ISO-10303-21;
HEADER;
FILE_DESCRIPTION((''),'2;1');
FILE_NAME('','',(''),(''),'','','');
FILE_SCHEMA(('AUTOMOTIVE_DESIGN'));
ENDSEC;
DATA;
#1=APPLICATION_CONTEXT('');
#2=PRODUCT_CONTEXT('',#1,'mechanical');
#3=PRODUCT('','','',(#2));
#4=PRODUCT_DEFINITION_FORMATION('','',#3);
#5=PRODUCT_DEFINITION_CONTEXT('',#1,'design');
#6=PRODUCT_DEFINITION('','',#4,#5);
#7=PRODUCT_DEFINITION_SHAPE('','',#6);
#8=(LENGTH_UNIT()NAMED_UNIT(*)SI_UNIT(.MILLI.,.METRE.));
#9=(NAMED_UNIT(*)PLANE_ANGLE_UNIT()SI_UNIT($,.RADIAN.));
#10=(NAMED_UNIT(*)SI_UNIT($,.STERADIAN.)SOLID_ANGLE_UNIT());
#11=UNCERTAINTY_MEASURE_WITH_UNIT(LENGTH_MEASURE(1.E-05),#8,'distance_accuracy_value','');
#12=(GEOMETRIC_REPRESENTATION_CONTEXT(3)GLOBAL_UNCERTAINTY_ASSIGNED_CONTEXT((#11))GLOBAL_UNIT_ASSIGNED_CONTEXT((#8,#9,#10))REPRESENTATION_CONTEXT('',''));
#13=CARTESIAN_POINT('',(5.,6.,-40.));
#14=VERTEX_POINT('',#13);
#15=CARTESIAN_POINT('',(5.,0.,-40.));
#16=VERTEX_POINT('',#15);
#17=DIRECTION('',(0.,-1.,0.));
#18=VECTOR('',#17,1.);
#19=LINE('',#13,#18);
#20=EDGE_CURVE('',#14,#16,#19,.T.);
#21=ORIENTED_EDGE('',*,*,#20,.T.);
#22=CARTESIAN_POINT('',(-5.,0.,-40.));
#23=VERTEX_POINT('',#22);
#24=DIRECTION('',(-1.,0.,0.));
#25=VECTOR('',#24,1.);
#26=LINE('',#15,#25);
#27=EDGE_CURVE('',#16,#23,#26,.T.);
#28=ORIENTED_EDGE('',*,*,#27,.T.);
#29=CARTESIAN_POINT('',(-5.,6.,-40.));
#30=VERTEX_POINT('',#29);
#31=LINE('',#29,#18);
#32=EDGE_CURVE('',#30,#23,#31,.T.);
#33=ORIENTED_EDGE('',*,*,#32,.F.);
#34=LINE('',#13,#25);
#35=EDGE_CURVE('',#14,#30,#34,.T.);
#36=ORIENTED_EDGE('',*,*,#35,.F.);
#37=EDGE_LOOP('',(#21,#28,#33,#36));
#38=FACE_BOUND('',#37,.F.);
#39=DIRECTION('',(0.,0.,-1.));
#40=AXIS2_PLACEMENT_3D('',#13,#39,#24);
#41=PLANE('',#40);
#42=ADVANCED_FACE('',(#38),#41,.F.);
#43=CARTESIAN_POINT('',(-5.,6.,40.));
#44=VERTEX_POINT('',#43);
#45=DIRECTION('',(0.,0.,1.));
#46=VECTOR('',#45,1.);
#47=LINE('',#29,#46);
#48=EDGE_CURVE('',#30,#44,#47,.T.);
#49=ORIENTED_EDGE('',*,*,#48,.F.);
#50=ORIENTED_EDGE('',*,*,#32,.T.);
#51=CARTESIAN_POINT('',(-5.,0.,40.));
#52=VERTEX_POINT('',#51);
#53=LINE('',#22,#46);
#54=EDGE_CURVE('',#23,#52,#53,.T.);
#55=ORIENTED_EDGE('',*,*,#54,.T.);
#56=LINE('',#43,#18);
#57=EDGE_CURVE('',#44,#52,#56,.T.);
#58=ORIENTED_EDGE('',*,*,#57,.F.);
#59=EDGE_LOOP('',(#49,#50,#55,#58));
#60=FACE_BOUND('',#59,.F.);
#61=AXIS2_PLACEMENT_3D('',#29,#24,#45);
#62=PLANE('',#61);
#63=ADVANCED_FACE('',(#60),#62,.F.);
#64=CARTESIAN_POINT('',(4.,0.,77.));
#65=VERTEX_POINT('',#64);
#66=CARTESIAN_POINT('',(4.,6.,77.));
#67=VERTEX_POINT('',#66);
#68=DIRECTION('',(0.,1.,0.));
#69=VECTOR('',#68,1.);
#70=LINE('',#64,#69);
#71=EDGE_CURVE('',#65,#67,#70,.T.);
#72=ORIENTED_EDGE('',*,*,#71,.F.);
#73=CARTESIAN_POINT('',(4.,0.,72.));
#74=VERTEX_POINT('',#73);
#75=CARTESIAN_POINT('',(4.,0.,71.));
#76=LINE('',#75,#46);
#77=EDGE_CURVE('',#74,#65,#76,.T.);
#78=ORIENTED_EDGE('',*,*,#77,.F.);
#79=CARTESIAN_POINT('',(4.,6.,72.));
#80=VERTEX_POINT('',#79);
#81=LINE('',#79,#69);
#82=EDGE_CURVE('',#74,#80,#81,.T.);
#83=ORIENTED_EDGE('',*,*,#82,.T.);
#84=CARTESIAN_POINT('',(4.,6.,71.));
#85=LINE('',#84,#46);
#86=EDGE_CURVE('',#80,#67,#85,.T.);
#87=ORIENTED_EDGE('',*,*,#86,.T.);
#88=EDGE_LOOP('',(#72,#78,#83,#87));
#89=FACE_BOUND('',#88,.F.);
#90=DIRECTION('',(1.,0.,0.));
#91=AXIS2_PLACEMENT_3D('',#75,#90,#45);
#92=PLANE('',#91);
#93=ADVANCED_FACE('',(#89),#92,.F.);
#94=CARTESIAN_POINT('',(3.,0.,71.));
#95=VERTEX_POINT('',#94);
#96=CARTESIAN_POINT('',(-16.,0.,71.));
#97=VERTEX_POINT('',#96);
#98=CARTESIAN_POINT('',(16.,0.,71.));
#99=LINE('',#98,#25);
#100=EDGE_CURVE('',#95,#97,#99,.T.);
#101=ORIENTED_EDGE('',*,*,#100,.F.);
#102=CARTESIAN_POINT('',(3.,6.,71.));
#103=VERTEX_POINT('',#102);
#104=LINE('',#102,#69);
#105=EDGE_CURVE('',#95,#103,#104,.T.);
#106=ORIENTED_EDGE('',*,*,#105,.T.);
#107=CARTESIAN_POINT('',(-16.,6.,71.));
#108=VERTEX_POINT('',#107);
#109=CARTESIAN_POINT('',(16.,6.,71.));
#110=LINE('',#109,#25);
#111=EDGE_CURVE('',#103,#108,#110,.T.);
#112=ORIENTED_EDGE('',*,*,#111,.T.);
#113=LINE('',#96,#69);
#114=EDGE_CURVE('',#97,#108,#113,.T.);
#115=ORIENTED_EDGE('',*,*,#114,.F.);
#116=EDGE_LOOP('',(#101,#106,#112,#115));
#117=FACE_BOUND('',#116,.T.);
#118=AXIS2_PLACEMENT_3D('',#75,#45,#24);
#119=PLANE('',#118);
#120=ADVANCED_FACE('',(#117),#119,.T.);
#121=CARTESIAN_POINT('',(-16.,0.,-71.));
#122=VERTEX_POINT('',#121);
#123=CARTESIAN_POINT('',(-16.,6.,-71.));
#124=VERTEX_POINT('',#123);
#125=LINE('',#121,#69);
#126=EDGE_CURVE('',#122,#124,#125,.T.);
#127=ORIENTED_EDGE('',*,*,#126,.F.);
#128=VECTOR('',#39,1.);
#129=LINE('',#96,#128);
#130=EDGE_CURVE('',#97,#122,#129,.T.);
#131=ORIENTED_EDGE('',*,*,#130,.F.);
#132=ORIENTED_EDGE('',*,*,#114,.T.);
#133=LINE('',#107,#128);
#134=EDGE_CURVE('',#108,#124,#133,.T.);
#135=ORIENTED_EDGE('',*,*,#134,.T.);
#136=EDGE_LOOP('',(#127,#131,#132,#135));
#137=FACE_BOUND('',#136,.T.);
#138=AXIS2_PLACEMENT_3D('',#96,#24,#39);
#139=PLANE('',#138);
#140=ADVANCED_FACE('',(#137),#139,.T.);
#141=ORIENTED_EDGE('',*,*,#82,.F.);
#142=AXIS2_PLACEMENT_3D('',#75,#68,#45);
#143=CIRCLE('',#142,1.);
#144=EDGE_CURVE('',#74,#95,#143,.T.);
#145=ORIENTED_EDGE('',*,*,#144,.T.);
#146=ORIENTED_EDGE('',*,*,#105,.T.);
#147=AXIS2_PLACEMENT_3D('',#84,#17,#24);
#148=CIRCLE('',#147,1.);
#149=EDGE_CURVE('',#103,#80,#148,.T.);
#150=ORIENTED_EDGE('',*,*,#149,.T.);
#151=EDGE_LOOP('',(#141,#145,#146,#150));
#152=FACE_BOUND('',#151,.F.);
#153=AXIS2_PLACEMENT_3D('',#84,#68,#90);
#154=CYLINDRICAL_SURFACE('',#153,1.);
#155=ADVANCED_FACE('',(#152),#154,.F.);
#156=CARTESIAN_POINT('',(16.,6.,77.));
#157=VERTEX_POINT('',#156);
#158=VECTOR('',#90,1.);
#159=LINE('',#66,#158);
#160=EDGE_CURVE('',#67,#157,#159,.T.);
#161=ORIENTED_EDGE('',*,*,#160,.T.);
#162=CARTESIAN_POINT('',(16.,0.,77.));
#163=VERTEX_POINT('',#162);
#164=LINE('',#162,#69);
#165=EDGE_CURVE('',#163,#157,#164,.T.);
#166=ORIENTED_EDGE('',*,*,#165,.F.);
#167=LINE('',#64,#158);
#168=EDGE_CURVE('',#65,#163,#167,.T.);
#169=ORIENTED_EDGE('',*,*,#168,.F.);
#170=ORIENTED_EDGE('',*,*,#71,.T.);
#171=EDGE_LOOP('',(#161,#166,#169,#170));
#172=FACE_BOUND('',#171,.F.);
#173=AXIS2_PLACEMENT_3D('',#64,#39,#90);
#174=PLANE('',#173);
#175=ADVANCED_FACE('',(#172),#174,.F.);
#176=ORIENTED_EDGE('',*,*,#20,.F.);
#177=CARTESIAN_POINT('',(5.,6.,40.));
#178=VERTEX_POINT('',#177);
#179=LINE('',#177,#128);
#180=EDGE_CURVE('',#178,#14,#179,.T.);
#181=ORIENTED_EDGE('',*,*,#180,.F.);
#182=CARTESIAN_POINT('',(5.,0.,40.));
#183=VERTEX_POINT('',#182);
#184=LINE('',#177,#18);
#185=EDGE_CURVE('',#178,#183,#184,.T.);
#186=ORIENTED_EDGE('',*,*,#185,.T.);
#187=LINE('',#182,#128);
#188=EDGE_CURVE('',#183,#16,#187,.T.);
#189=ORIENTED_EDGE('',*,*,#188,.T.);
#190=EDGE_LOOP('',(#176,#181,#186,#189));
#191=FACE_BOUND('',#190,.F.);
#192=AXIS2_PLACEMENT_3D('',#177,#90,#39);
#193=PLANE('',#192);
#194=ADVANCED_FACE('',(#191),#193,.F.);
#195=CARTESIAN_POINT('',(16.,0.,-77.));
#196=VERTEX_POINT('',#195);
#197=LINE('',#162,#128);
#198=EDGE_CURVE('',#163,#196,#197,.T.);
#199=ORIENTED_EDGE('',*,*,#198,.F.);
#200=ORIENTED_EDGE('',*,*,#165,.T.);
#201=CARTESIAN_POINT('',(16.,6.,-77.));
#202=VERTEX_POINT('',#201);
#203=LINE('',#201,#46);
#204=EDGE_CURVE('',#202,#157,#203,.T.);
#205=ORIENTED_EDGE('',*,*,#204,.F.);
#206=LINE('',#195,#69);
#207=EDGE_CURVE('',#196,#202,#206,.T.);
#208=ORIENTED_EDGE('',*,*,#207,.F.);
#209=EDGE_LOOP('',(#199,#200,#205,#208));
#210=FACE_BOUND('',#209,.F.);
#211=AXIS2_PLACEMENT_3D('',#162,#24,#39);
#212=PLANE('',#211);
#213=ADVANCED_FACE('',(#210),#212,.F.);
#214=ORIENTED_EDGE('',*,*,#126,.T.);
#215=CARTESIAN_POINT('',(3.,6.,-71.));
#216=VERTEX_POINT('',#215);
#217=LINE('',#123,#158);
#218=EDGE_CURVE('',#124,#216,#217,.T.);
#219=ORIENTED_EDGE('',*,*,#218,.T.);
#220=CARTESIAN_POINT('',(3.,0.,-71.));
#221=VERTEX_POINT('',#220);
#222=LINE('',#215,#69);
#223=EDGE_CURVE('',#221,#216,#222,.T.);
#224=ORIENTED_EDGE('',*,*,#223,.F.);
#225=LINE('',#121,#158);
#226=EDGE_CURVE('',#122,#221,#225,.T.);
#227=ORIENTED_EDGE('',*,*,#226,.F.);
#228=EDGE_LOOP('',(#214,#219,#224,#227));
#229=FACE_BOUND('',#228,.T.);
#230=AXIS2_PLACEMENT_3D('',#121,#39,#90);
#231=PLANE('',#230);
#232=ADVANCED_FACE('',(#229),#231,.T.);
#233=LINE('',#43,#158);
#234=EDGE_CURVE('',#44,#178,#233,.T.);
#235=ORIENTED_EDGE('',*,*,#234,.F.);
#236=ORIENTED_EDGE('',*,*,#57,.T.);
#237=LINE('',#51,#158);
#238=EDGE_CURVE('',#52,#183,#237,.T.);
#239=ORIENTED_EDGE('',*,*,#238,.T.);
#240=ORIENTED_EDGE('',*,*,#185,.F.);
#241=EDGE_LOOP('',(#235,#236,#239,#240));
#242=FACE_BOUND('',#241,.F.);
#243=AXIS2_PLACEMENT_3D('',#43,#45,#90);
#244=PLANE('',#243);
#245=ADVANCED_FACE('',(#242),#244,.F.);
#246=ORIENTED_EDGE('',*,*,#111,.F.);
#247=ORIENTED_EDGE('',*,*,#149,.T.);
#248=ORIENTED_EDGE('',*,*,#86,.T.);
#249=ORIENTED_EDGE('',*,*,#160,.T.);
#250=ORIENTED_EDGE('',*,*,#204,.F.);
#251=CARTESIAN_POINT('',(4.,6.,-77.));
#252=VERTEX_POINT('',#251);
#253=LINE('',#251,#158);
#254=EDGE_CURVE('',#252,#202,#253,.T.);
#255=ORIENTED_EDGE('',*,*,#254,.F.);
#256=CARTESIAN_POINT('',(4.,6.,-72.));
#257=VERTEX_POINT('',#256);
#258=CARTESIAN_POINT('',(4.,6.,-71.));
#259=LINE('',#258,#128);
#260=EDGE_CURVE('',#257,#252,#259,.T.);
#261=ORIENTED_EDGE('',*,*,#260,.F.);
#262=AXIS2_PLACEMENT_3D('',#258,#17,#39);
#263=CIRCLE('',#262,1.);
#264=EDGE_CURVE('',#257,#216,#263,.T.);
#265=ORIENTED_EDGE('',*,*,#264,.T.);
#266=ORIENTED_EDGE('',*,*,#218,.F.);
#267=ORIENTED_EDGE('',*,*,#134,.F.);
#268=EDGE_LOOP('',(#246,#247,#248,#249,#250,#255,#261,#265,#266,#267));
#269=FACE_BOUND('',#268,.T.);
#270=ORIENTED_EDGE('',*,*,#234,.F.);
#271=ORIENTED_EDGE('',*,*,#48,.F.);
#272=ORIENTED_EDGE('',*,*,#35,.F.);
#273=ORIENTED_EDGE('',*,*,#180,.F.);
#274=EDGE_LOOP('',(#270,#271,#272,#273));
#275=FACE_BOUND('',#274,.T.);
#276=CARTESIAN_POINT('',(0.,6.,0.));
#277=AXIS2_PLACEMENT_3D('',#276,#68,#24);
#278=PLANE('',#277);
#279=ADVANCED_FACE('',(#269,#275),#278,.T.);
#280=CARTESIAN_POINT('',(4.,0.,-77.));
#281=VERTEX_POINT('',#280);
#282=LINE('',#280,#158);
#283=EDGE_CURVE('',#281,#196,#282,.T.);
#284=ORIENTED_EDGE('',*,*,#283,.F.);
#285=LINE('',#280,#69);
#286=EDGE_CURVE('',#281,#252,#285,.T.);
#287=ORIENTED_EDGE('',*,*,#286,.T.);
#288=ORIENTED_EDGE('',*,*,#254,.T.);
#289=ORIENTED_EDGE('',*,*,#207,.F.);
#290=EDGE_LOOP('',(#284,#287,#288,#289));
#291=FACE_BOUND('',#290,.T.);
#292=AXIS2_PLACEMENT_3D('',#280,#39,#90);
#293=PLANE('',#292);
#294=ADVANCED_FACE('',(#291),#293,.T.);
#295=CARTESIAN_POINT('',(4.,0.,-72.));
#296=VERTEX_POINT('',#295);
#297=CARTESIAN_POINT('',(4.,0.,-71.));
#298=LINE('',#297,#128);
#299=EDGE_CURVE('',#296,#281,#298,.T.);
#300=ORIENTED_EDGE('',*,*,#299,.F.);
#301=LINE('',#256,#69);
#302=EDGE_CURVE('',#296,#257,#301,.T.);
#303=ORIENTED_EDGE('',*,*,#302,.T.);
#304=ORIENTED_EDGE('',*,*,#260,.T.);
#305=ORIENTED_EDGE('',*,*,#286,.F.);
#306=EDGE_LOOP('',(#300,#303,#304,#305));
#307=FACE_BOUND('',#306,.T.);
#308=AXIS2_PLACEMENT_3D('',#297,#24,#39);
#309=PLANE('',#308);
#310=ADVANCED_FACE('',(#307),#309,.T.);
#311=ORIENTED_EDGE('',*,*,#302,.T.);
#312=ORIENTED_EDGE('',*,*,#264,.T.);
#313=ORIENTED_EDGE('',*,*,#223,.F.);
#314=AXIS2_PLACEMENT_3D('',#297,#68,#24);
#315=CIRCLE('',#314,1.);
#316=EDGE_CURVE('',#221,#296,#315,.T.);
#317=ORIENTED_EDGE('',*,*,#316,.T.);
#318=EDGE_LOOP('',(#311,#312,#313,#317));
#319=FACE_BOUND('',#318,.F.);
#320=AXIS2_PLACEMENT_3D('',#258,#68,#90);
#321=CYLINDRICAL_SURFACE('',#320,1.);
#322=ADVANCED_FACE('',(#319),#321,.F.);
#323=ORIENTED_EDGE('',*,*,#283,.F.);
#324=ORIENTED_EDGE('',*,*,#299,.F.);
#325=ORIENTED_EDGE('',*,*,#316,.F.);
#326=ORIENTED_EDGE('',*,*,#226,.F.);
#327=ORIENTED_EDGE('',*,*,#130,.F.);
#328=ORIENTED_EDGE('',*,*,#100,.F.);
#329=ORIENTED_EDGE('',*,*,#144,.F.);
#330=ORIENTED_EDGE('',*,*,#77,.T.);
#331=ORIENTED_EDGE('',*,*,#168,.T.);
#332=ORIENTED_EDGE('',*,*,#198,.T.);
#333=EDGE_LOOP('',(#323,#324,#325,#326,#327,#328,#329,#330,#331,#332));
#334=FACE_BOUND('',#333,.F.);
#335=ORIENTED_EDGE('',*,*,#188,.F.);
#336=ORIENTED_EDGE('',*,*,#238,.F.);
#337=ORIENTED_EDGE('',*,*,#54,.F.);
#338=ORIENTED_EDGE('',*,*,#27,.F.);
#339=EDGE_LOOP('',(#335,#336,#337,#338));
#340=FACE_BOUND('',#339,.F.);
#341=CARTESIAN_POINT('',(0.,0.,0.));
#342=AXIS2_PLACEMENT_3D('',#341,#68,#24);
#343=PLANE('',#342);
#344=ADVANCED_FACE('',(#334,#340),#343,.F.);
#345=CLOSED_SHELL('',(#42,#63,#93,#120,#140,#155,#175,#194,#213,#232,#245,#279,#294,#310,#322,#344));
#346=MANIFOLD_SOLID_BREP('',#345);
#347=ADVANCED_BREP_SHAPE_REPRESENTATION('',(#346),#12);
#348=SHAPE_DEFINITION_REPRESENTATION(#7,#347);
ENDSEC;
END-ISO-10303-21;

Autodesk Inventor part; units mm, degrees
ref_plane "우측면도" through (0, 0, 0) normal (1, 0, 0) x (0, 1, 0)
ref_plane "평면도" through (0, 0, 0) normal (0, 1, 0) x (-1, 0, 0)
ref_plane "정면도" through (0, 0, 0) normal (0, 0, 1) x (1, 0, 0)
sketch "스케치1" plane through (0, 0, 0) normal (0, 1, 0) x (-1, 0, 0)
  line L0 (-16, 71) -> (16, 71)
  line L1 (16, 71) -> (16, -71)
  line L2 (16, -71) -> (-16, -71)
  line L3 (-16, -71) -> (-16, 71)
  line L4 (-16, 71) -> (16, -71) construction
  line L5 (16, 71) -> (-16, -71) construction
  line L6 (-16, -71) -> (-4, -71)
  line L7 (-4, -71) -> (-4, -77)
  line L8 (-4, -77) -> (-16, -77)
  line L9 (-16, -77) -> (-16, -71)
  line L10 (-16, 71) -> (-4, 71)
  line L11 (-4, 71) -> (-4, 77)
  line L12 (-4, 77) -> (-16, 77)
  line L13 (-16, 77) -> (-16, 71)
  point P0 (0, 0)
  dimension "d0" = 32
  dimension "d1" = 142
  dimension "d2" = 12
  dimension "d3" = 6
  dimension "d4" = 12
  dimension "d5" = 6
extrude "돌출1" add sketch "스케치1" along normal blind 6
sketch "스케치2" plane through (0, 6, 0) normal (0, 1, 0) x (1, 0, 0)
  line L0 (-5, -40) -> (5, -40)
  line L1 (5, -40) -> (5, 40)
  line L2 (5, 40) -> (-5, 40)
  line L3 (-5, 40) -> (-5, -40)
  line L4 (-5, -40) -> (5, 40) construction
  line L5 (5, -40) -> (-5, 40) construction
  point P0 (0, 0)
  dimension "d8" = 10
  dimension "d9" = 80
extrude "돌출2" cut sketch "스케치2" against normal blind 6
sketch "스케치3" plane through (0, 6, 0) normal (0, 1, 0) x (1, 0, 0)
  line L0 (-5, 40) -> (5, 40) projected
  line L1 (5, 40) -> (5, -40) projected
  line L2 (5, -40) -> (-5, -40) projected
  line L3 (-5, -40) -> (-5, 40) projected
  line L4 (-16, -71) -> (4, -71) projected
  line L5 (4, -71) -> (4, -77) projected
  line L6 (4, -77) -> (16, -77) projected
  line L7 (16, -77) -> (16, 77) projected
  line L8 (16, 77) -> (4, 77) projected
  line L9 (4, 77) -> (4, 71) projected
  line L10 (4, 71) -> (-16, 71) projected
  line L11 (-16, 71) -> (-16, -71) projected
  circle A0 centre (4, -71) radius 1
  circle A1 centre (4, 71) radius 1
  point P0 (0, 0)
  dimension "d12" = 2
  dimension "d13" = 2
extrude "돌출3" cut sketch "스케치3" against normal through all contours A0 L5 L4 | L4 L5 A0 | A1 L9 L10 | L10 L9 A1
properties part number "battery bottomplate" material "PMMA 플라스틱"
